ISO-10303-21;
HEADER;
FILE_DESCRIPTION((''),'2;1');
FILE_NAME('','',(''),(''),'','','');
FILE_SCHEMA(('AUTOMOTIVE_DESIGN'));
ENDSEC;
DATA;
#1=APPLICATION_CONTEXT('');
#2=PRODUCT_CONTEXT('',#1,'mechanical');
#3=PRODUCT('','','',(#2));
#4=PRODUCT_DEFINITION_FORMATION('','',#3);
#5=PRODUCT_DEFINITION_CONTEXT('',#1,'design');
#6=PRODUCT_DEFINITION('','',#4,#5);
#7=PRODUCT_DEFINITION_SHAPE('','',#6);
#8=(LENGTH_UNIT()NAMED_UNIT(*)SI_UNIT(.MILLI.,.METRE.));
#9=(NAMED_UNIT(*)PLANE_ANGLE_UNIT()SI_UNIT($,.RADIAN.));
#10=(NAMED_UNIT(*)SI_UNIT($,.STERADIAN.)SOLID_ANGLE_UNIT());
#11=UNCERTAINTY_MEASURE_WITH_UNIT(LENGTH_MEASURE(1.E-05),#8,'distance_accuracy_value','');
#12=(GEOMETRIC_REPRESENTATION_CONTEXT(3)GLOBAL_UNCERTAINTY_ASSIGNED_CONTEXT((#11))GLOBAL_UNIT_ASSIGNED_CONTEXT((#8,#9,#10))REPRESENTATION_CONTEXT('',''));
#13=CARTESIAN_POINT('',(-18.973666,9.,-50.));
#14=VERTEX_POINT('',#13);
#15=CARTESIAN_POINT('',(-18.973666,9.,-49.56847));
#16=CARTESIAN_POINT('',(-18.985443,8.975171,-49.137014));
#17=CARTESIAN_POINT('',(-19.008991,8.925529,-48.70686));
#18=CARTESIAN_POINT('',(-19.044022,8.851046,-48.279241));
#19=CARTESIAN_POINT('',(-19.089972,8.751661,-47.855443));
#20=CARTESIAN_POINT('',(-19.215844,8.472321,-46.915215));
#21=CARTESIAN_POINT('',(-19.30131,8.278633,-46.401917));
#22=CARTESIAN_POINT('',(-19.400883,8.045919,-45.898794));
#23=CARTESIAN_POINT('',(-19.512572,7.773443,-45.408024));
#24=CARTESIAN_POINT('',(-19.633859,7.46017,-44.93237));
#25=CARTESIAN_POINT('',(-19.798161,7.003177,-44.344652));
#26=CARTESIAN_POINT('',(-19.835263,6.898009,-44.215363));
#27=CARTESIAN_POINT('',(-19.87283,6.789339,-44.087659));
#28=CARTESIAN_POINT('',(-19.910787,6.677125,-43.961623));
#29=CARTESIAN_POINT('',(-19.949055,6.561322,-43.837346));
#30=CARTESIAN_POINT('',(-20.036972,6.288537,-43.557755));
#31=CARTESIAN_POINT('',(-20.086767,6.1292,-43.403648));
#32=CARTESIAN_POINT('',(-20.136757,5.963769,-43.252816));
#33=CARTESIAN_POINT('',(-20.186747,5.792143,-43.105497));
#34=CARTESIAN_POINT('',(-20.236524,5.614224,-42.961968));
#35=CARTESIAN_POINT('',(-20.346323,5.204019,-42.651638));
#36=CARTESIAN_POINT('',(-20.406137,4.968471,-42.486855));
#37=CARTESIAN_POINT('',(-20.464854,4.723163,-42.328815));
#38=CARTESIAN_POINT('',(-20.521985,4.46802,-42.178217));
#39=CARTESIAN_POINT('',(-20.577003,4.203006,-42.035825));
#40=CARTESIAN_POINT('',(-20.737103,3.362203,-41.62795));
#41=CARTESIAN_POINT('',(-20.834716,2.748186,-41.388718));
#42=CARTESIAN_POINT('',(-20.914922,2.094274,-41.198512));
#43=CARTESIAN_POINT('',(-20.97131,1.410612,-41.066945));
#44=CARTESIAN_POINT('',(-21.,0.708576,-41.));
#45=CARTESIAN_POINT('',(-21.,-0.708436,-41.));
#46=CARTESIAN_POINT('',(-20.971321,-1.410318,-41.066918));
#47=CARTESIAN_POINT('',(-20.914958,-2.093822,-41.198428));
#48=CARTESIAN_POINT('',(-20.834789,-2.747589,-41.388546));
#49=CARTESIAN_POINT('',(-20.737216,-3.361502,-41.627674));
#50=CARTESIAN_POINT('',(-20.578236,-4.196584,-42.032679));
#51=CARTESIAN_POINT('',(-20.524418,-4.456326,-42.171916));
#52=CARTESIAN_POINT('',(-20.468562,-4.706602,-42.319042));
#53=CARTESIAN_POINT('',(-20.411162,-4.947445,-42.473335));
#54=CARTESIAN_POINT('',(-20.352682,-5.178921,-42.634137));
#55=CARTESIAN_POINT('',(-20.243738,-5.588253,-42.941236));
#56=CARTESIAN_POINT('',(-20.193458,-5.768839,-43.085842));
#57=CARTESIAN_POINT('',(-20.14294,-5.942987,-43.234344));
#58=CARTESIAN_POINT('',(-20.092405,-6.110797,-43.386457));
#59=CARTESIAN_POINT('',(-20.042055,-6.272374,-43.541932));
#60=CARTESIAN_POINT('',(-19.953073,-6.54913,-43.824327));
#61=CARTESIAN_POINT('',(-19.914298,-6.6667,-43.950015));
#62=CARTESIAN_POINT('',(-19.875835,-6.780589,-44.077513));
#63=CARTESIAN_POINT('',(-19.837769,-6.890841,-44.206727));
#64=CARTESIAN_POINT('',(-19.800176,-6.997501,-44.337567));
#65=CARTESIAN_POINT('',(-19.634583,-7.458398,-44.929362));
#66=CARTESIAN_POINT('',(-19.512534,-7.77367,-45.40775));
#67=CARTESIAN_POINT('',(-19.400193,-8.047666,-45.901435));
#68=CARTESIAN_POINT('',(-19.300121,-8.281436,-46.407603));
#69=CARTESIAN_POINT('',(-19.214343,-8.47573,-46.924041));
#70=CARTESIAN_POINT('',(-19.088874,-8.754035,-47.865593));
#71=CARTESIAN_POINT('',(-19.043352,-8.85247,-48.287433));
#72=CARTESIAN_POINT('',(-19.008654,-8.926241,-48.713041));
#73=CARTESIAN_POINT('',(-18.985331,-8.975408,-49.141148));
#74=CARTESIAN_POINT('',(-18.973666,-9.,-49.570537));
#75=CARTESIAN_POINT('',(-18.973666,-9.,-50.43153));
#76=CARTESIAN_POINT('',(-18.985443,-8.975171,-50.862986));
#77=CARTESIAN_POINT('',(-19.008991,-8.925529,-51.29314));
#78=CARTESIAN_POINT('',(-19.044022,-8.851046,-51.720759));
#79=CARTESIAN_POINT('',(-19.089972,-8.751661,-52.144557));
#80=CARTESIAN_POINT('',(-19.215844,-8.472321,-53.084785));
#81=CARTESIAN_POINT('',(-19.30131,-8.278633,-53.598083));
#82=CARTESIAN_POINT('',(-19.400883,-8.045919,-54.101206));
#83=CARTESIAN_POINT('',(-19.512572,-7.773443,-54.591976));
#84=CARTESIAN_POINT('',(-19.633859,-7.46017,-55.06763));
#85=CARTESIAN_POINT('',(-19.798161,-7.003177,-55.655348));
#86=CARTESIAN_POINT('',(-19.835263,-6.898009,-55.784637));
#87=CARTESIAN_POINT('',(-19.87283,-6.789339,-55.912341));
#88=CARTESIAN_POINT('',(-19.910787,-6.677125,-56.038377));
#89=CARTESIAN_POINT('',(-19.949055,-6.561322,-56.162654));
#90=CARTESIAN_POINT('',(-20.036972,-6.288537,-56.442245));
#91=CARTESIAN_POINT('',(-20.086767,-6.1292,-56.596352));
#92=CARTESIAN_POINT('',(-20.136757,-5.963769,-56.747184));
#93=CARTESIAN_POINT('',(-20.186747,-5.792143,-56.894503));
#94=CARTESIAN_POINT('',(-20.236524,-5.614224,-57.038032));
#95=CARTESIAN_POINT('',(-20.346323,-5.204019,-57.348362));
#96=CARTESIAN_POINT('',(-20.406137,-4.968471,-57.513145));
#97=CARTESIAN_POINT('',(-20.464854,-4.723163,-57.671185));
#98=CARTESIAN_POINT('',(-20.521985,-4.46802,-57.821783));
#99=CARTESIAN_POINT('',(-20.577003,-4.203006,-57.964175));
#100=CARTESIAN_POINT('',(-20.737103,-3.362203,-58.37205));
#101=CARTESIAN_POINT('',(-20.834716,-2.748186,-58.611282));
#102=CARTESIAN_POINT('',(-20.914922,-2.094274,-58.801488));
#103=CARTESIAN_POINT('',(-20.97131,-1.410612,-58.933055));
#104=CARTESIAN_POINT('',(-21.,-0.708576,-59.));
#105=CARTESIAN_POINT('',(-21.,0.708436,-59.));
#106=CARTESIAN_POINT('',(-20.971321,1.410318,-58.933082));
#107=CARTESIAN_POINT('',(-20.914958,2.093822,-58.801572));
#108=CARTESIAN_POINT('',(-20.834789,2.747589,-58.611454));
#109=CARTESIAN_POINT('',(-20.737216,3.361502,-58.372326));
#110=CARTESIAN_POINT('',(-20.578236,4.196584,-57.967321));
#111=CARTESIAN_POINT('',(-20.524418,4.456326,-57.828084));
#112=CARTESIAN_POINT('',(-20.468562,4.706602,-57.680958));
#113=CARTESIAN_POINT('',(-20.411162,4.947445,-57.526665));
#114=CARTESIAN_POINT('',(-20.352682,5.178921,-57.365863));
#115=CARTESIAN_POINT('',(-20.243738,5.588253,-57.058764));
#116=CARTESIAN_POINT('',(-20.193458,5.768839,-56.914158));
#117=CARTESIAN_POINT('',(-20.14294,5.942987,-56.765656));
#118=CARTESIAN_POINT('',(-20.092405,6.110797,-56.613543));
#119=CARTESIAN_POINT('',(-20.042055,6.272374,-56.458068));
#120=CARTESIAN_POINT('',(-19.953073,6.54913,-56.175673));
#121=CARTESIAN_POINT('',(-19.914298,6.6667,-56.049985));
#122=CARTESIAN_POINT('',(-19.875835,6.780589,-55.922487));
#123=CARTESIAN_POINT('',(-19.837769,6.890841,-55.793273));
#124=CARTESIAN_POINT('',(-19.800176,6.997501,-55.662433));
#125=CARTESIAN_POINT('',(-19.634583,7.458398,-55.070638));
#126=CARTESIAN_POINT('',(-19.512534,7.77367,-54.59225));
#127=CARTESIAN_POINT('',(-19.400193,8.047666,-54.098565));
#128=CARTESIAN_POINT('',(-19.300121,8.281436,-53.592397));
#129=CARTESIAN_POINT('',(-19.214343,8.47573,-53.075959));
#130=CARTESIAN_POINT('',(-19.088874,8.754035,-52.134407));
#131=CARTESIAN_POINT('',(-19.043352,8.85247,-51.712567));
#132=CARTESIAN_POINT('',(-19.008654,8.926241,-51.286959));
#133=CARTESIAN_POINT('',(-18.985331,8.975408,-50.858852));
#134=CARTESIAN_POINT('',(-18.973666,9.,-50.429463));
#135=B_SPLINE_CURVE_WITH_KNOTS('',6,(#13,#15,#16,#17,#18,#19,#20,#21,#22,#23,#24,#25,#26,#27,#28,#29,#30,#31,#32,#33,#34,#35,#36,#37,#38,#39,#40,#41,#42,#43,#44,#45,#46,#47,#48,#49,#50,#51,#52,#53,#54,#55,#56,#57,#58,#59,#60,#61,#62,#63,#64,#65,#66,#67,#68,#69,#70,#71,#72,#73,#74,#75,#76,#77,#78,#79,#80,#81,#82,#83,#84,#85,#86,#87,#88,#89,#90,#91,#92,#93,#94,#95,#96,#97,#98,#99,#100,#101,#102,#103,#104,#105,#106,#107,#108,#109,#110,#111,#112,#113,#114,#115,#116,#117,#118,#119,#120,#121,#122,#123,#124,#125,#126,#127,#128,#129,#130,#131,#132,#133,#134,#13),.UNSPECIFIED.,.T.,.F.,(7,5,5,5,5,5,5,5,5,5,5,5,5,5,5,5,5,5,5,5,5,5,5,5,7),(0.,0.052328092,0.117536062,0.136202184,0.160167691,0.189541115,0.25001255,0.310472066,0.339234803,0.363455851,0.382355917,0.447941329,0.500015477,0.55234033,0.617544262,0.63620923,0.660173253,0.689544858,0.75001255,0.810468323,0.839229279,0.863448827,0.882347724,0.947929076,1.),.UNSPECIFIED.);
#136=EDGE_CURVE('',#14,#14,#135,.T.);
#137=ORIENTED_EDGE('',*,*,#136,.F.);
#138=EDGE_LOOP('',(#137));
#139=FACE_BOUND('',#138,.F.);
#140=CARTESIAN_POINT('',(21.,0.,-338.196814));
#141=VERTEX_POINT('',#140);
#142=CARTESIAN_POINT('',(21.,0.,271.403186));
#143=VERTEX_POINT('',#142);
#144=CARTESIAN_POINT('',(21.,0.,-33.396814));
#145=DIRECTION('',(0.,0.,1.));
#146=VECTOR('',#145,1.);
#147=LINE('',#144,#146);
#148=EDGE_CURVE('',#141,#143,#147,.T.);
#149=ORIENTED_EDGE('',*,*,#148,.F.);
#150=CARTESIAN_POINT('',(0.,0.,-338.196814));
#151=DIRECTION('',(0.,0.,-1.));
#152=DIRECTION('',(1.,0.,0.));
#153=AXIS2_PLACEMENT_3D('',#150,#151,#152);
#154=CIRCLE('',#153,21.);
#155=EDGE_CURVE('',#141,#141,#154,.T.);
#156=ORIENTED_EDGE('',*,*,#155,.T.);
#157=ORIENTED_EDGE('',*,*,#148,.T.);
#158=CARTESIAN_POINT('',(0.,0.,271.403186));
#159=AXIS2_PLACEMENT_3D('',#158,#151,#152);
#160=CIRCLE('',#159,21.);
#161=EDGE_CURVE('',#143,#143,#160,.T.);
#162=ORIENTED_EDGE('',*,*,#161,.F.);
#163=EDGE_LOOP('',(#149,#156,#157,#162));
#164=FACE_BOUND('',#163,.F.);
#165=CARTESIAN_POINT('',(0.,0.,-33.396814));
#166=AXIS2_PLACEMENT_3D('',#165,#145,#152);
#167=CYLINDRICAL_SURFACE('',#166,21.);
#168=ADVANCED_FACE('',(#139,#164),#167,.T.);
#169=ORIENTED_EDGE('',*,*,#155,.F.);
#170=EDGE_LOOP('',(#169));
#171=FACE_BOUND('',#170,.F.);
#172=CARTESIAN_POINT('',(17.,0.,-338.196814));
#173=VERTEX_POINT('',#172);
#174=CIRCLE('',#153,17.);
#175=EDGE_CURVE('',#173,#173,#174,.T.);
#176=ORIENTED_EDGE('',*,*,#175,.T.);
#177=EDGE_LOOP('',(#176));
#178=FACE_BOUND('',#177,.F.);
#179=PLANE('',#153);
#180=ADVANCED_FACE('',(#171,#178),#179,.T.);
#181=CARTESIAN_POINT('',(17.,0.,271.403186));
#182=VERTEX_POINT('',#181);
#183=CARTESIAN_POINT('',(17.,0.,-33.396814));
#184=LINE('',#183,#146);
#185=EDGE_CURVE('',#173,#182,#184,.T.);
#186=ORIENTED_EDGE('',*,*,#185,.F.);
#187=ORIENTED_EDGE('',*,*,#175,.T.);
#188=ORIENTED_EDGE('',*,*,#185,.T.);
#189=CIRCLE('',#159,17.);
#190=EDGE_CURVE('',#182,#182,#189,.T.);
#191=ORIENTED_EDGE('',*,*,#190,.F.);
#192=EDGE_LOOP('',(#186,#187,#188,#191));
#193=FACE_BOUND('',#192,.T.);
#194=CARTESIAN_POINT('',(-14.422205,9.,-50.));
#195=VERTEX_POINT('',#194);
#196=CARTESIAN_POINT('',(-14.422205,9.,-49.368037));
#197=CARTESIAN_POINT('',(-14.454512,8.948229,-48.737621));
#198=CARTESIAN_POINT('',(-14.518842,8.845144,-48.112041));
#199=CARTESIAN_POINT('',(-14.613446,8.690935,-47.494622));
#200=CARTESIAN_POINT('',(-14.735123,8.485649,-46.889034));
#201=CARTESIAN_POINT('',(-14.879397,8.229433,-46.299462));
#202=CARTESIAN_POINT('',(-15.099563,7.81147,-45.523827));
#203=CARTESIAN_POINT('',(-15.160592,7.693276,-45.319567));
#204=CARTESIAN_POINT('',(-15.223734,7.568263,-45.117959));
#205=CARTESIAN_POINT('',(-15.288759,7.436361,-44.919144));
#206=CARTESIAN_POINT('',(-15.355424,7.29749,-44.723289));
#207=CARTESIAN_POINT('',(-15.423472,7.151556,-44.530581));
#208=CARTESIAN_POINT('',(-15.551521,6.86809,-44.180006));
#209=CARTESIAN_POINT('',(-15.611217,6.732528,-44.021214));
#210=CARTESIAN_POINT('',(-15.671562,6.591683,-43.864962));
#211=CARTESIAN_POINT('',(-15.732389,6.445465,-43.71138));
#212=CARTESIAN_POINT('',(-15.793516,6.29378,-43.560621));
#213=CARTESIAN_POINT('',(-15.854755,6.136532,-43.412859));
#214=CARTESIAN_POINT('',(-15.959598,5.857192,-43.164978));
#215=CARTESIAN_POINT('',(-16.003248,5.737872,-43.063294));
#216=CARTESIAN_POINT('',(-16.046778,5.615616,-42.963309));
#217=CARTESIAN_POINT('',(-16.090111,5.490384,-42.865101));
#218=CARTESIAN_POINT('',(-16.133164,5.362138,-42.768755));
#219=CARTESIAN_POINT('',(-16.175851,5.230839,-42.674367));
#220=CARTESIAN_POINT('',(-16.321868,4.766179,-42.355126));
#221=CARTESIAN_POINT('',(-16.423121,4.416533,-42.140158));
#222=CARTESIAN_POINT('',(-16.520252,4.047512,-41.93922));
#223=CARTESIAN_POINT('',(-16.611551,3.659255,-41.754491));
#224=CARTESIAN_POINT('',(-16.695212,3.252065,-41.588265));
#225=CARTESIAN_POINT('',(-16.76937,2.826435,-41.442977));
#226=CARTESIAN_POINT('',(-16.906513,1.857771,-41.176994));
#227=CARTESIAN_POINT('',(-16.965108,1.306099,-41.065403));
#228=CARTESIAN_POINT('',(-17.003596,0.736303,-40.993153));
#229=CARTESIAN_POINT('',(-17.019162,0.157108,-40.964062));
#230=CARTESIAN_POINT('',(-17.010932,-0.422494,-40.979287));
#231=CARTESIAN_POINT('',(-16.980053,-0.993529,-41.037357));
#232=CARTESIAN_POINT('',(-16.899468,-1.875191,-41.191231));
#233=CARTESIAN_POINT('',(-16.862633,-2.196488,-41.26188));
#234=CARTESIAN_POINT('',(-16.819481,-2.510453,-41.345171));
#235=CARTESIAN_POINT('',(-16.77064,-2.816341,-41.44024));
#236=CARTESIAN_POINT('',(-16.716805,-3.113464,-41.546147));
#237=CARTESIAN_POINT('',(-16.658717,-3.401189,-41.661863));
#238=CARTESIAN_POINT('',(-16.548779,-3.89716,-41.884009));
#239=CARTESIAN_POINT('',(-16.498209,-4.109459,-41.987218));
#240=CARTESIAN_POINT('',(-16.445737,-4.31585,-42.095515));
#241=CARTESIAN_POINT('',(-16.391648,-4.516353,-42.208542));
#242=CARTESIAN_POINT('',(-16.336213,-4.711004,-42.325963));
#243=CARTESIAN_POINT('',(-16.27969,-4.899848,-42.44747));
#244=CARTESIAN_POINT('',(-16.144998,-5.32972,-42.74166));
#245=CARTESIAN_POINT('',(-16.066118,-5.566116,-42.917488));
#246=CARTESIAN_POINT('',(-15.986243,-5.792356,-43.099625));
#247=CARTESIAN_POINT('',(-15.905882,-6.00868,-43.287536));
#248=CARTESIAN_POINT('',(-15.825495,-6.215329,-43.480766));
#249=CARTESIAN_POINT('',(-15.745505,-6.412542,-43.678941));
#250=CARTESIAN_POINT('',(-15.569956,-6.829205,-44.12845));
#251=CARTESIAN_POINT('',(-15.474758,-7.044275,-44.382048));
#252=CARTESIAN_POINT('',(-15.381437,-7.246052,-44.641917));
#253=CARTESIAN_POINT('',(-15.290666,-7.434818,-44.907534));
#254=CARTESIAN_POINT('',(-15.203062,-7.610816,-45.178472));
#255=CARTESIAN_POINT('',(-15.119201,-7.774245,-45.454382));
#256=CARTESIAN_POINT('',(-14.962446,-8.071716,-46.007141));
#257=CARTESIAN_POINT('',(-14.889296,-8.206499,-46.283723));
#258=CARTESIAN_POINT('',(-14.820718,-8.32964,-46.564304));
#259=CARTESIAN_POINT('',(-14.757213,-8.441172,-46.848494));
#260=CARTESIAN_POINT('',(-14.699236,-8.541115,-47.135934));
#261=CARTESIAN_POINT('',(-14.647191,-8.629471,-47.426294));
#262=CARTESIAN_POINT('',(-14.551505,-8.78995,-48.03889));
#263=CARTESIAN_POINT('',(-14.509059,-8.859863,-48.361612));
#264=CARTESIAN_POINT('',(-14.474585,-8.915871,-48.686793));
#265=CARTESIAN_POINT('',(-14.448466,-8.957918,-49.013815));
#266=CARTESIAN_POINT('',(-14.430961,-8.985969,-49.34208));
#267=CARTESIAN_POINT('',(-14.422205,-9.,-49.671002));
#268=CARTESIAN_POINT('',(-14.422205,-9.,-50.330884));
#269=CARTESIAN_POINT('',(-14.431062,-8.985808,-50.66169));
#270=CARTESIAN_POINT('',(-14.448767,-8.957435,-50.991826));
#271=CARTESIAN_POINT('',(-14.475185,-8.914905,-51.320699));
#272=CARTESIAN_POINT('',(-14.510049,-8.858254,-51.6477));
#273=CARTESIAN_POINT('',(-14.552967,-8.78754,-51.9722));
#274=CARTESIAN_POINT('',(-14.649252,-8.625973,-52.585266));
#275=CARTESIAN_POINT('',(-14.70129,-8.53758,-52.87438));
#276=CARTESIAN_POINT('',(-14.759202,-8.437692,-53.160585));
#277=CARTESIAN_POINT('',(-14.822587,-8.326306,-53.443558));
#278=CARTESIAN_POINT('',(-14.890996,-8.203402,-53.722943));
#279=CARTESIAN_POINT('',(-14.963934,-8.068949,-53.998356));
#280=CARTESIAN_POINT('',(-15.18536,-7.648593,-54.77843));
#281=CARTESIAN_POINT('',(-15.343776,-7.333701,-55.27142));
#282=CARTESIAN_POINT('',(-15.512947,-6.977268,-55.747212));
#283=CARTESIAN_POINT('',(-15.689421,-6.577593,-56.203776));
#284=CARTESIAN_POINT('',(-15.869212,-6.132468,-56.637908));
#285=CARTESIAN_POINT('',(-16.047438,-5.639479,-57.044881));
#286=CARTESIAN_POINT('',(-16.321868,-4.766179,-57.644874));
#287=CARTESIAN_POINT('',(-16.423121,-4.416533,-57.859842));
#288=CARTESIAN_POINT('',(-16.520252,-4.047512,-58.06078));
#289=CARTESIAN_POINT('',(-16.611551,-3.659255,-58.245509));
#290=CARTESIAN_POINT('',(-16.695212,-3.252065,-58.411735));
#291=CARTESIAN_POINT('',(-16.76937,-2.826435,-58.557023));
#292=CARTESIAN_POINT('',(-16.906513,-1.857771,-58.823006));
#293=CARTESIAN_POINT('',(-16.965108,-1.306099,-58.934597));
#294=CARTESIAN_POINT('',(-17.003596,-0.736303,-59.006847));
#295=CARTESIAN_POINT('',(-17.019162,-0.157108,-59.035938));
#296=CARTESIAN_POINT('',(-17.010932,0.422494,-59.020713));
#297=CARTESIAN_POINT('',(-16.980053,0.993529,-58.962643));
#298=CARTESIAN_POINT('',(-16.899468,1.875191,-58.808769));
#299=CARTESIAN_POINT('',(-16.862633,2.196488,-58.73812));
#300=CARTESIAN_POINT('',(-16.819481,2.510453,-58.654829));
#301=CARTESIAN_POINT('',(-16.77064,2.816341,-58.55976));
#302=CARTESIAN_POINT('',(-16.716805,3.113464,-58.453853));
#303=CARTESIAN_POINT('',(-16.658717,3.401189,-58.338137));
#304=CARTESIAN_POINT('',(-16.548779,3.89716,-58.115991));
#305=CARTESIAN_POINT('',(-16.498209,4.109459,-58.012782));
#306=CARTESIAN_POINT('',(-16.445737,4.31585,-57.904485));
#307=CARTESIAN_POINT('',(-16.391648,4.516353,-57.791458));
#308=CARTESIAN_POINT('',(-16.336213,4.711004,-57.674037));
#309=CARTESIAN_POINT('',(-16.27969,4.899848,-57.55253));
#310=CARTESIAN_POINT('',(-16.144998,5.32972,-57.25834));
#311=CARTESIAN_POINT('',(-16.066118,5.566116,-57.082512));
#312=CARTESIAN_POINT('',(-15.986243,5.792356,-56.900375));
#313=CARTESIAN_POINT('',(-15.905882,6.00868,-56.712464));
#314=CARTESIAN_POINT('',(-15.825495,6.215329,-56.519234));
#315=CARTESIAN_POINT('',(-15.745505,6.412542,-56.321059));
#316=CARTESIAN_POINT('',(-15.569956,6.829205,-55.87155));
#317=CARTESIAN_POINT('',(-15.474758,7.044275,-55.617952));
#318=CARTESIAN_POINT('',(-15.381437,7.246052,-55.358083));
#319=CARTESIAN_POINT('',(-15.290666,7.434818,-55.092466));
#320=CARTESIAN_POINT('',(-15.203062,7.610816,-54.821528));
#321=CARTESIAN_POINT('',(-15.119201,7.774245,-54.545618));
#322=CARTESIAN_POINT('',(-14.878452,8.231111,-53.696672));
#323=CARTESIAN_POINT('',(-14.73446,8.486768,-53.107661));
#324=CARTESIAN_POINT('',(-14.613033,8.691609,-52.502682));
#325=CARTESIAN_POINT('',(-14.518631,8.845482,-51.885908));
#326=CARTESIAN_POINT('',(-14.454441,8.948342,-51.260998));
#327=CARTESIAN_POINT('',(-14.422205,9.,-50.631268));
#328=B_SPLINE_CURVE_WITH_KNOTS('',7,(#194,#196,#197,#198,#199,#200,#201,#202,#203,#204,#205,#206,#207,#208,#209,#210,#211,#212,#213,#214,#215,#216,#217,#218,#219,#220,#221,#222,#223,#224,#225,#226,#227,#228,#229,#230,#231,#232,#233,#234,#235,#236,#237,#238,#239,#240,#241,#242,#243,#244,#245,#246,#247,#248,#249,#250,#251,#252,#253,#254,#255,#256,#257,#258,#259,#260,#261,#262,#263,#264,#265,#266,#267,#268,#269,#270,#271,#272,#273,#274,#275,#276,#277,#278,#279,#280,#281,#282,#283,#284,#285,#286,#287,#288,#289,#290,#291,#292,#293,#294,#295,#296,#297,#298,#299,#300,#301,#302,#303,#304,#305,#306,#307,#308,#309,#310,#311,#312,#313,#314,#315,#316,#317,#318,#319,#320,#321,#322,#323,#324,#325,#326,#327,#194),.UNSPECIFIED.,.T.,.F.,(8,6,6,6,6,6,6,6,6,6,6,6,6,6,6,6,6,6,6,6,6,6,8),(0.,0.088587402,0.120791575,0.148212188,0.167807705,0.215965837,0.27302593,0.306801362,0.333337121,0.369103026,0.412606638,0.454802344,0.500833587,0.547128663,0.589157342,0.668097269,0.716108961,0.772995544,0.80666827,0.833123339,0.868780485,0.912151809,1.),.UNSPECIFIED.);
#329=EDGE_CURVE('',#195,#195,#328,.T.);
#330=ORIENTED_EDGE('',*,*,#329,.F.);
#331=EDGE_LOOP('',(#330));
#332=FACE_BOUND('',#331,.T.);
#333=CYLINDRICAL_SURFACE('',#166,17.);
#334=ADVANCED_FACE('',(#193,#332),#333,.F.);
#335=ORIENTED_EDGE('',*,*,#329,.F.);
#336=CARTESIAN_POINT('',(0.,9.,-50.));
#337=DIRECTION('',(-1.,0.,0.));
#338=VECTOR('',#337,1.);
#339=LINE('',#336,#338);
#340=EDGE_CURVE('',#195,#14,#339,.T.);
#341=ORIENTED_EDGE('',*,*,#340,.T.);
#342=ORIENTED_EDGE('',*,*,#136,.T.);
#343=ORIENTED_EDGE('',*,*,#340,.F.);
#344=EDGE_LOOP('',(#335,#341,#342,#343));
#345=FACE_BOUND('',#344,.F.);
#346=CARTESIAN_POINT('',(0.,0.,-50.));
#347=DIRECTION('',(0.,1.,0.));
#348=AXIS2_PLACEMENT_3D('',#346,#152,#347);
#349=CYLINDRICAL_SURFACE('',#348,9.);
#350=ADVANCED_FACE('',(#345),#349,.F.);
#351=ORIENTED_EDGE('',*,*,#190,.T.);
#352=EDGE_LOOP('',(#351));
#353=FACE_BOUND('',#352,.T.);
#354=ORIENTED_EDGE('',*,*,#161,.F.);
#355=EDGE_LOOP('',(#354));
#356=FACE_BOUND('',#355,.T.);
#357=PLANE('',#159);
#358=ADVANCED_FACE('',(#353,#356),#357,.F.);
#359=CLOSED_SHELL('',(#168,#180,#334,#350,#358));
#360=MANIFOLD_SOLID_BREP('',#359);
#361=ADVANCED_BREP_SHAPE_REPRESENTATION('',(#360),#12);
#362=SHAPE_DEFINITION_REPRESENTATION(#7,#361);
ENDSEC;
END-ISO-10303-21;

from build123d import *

# Parameters (mm, degrees)
F0_W     = 4
F0_H     = 609.6
F2_R     = 9
F3_DEPTH = 21.001


with BuildPart() as f1:
    # F0 (on Front) → F1 (revolve)
    with BuildSketch(Plane.XZ):
        with Locations((19, -33.396814)):
            Rectangle(F0_W, F0_H)
    revolve(axis=Axis((0, 0, -33.951025), (0, 0, -1)))

    # F2 (on Right) → F3 (cut, through all)
    with BuildSketch(Plane.YZ):
        with Locations((0, -50)):
            Circle(F2_R)
    extrude(amount=-F3_DEPTH, mode=Mode.SUBTRACT)


solid = f1.part
